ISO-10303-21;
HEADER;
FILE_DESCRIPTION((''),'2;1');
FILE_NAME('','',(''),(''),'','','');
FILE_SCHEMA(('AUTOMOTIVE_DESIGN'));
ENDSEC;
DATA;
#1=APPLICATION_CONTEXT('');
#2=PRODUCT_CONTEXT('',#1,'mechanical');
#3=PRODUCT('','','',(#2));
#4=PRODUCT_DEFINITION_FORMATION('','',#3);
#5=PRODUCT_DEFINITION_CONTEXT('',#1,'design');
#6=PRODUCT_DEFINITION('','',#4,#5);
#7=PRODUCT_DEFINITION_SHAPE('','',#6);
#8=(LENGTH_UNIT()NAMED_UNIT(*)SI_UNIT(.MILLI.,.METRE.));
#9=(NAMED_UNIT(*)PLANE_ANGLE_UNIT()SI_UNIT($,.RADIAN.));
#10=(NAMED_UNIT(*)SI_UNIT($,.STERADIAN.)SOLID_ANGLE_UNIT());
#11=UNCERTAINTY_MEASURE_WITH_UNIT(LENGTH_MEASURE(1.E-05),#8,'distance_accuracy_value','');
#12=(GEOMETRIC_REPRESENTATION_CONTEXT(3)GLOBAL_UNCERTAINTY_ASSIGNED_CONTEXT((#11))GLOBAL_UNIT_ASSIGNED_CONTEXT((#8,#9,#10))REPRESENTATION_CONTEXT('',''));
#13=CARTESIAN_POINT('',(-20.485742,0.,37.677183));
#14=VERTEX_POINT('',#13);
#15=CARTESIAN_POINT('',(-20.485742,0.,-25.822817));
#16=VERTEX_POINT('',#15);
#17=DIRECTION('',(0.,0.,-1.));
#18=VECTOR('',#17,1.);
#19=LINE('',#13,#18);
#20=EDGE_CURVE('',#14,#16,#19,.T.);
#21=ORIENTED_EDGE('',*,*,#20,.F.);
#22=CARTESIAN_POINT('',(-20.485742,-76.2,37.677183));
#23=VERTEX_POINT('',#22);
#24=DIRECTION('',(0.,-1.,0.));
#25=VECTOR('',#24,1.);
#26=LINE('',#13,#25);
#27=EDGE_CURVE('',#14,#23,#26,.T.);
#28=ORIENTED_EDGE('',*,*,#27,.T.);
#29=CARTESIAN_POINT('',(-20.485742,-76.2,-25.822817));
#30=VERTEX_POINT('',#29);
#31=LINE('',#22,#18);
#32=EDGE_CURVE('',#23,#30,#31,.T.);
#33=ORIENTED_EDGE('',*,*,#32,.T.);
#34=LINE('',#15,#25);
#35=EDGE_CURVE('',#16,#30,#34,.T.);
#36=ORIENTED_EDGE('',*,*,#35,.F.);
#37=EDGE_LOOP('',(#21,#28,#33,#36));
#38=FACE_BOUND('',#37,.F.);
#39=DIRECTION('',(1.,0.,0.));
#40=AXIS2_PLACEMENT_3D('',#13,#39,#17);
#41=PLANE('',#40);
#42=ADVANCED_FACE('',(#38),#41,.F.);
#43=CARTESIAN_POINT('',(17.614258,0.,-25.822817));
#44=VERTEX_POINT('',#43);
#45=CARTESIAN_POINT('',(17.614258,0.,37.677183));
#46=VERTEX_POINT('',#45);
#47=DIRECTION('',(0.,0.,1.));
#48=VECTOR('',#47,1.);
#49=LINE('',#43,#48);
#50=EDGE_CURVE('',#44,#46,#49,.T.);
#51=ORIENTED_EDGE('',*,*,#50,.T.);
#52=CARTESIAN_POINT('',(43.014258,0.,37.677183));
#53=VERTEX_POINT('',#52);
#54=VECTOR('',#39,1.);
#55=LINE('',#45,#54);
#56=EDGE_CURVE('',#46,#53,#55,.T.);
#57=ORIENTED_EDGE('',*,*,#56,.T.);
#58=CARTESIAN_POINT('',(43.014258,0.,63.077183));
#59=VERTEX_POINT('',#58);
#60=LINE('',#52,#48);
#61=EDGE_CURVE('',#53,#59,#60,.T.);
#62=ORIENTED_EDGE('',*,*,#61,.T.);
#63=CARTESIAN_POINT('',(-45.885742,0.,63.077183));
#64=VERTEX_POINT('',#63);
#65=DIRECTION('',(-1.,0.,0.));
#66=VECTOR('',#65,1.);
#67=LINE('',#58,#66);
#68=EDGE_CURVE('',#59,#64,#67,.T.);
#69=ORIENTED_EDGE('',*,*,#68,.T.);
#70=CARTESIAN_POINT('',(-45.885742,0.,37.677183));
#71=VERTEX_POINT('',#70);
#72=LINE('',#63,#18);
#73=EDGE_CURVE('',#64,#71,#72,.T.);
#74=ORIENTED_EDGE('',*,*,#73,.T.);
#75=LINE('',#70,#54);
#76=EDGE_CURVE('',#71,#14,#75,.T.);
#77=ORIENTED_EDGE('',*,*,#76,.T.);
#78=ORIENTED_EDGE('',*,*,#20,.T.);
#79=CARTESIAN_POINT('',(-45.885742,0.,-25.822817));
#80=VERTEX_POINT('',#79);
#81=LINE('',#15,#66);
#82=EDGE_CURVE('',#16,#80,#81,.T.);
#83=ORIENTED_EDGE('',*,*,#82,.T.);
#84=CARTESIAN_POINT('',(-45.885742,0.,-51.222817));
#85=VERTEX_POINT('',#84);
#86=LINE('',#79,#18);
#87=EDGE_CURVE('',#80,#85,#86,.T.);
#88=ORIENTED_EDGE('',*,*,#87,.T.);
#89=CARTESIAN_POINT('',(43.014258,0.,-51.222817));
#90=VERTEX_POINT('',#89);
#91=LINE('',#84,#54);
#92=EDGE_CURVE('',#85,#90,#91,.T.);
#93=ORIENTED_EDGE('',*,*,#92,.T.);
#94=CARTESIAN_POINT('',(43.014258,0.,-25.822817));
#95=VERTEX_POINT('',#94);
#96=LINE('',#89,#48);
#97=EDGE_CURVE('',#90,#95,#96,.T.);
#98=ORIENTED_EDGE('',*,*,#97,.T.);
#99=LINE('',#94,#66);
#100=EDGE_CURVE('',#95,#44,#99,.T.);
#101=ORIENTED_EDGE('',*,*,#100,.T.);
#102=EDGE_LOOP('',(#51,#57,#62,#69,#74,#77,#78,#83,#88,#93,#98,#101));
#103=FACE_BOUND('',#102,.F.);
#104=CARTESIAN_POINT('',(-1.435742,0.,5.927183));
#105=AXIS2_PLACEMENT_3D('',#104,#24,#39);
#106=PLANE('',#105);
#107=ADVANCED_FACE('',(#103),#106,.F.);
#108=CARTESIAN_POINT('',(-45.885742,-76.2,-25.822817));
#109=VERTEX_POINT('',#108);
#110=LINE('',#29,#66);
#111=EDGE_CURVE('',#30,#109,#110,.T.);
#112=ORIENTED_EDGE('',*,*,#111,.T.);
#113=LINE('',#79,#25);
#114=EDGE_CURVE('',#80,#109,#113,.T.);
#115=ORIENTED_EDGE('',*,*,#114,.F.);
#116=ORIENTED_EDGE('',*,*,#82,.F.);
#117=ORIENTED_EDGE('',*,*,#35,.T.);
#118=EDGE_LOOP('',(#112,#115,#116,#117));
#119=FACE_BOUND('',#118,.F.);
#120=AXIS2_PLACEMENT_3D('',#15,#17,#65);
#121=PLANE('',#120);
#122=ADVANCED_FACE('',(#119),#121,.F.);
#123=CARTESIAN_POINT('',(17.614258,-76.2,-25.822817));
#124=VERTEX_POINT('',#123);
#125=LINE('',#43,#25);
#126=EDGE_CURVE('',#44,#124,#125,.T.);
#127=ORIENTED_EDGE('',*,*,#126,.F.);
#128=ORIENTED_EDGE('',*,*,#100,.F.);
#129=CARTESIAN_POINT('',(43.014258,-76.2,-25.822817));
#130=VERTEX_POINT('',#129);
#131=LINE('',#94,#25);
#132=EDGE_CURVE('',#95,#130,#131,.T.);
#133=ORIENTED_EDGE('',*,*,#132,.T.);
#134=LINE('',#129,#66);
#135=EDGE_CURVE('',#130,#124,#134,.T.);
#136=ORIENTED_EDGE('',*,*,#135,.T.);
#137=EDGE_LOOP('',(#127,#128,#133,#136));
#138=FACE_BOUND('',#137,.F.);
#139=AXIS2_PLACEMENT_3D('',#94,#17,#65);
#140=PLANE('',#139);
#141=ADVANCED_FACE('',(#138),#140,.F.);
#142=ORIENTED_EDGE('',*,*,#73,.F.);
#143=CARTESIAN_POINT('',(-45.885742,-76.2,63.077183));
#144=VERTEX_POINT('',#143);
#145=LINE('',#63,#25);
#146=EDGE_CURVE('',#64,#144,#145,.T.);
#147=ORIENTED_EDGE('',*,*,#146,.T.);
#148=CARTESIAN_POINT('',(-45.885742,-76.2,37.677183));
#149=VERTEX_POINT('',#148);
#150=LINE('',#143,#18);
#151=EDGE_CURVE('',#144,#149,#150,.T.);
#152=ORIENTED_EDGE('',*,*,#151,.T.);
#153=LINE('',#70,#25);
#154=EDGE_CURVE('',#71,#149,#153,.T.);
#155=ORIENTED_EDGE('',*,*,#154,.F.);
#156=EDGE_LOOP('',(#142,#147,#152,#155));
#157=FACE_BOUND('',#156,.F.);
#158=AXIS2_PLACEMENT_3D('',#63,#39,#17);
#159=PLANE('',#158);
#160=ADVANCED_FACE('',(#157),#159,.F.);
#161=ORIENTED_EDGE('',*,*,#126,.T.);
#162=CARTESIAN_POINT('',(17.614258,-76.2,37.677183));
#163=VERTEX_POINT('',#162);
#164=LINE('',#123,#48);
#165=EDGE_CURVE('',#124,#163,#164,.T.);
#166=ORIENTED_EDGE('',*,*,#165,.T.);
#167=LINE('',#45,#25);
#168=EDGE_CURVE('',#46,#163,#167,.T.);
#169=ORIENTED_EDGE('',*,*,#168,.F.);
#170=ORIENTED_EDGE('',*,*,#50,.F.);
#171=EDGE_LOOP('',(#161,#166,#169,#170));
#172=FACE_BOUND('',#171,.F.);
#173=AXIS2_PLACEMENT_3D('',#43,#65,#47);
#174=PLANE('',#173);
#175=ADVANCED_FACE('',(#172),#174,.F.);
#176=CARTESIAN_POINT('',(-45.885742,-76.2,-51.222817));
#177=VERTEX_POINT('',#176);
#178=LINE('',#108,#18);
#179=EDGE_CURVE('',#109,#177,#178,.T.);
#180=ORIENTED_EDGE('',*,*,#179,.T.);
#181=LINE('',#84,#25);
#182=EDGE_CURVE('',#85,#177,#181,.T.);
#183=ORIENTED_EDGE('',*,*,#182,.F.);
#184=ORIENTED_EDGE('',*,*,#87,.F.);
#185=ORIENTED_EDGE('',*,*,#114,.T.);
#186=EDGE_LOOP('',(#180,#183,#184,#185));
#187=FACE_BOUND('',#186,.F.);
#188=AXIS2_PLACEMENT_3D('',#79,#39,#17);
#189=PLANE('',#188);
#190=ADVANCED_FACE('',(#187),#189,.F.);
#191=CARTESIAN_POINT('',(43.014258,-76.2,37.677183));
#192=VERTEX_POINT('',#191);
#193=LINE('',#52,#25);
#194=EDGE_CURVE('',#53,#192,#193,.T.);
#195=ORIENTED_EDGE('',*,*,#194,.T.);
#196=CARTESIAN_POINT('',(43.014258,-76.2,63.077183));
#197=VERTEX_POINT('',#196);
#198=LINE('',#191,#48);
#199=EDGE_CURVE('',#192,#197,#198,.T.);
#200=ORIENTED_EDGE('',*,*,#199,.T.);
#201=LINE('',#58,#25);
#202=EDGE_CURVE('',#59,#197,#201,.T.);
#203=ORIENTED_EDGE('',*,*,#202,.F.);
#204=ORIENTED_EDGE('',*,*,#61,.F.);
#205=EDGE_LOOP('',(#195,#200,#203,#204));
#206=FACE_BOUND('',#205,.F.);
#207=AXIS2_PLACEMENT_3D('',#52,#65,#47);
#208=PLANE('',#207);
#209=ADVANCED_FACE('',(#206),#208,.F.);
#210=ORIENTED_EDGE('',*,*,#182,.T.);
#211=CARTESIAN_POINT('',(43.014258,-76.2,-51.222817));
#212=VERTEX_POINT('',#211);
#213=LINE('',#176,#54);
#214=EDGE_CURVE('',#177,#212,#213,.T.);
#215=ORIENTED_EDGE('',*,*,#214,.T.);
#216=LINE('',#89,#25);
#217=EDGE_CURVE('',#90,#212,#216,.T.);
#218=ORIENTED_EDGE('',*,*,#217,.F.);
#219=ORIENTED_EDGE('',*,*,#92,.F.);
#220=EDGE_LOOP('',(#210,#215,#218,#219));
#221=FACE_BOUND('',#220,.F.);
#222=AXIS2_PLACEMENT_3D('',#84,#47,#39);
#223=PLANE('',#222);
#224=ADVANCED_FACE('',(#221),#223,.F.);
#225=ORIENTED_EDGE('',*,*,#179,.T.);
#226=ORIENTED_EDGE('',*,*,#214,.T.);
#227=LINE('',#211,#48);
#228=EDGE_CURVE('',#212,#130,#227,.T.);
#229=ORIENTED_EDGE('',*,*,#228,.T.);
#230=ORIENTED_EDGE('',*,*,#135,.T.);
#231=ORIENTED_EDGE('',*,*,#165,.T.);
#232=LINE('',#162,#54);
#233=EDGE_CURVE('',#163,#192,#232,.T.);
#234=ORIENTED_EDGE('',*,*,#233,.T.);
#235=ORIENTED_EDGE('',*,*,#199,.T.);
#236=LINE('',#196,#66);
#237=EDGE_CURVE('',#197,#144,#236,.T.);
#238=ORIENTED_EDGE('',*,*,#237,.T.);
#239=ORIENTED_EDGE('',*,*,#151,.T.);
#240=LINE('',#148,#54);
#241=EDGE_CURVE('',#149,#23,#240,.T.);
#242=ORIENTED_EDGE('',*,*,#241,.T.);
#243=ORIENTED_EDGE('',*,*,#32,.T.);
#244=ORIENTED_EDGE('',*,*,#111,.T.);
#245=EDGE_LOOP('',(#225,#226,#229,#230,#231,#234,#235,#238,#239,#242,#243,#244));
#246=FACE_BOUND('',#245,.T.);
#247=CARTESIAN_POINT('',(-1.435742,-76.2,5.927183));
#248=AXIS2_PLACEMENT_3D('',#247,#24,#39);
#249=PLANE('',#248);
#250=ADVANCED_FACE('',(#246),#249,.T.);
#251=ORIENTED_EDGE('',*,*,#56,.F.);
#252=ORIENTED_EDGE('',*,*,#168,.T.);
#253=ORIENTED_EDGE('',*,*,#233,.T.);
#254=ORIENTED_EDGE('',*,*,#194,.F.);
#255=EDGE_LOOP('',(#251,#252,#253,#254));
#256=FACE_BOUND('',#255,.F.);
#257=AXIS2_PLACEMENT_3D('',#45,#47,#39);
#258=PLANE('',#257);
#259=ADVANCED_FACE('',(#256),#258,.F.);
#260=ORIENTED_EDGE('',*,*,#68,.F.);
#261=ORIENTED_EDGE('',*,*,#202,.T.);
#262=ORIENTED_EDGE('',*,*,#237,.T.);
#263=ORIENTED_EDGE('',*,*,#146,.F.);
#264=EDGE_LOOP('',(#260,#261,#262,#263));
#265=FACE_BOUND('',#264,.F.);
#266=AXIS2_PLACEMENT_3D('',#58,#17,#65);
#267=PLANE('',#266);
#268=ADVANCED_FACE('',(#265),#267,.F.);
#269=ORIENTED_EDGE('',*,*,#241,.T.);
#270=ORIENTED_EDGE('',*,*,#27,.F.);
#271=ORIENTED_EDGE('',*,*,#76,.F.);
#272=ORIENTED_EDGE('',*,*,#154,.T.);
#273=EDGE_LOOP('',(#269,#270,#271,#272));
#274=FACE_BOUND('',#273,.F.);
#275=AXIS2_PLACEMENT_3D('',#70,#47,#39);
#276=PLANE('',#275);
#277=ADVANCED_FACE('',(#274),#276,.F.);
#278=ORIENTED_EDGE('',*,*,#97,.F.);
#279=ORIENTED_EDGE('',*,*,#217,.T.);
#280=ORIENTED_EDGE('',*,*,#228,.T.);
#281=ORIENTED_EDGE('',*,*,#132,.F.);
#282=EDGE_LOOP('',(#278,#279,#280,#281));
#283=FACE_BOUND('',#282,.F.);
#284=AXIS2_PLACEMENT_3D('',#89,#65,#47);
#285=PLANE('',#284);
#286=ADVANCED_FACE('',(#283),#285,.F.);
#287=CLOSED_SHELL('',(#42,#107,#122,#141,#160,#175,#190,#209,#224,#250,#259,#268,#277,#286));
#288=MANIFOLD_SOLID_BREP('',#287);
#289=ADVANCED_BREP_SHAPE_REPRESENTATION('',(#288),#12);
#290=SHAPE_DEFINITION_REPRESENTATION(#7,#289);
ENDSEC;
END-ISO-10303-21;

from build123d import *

# Parameters (mm, degrees)
F1_DEPTH = 76.2
F3_DEPTH = 25.4


with BuildPart() as f1:
    # F0 (on Front) → F1 (new body)
    with BuildSketch(Plane.XZ):
        Polygon((43.014258, 63.077183), (-45.885742, 63.077183), (-45.885742, 37.677183), (-20.485742, 37.677183), (-20.485742, -25.822817), (-45.885742, -25.822817), (-45.885742, -51.222817), (43.014258, -51.222817), (43.014258, -25.822817), (17.614258, -25.822817), (17.614258, 37.677183), (43.014258, 37.677183), align=None)
    extrude(amount=F1_DEPTH)

    # F2 (on face) → F3 (cut)
    with BuildSketch(Plane.XZ.offset(76.2)):
        Polygon((-5.556331, 38.095985), (5.556331, 38.095985), (8.990332, 48.664754), (0, 55.196613), (-8.990332, 48.664754), align=None)
    extrude(amount=F3_DEPTH, mode=Mode.SUBTRACT)


solid = f1.part
